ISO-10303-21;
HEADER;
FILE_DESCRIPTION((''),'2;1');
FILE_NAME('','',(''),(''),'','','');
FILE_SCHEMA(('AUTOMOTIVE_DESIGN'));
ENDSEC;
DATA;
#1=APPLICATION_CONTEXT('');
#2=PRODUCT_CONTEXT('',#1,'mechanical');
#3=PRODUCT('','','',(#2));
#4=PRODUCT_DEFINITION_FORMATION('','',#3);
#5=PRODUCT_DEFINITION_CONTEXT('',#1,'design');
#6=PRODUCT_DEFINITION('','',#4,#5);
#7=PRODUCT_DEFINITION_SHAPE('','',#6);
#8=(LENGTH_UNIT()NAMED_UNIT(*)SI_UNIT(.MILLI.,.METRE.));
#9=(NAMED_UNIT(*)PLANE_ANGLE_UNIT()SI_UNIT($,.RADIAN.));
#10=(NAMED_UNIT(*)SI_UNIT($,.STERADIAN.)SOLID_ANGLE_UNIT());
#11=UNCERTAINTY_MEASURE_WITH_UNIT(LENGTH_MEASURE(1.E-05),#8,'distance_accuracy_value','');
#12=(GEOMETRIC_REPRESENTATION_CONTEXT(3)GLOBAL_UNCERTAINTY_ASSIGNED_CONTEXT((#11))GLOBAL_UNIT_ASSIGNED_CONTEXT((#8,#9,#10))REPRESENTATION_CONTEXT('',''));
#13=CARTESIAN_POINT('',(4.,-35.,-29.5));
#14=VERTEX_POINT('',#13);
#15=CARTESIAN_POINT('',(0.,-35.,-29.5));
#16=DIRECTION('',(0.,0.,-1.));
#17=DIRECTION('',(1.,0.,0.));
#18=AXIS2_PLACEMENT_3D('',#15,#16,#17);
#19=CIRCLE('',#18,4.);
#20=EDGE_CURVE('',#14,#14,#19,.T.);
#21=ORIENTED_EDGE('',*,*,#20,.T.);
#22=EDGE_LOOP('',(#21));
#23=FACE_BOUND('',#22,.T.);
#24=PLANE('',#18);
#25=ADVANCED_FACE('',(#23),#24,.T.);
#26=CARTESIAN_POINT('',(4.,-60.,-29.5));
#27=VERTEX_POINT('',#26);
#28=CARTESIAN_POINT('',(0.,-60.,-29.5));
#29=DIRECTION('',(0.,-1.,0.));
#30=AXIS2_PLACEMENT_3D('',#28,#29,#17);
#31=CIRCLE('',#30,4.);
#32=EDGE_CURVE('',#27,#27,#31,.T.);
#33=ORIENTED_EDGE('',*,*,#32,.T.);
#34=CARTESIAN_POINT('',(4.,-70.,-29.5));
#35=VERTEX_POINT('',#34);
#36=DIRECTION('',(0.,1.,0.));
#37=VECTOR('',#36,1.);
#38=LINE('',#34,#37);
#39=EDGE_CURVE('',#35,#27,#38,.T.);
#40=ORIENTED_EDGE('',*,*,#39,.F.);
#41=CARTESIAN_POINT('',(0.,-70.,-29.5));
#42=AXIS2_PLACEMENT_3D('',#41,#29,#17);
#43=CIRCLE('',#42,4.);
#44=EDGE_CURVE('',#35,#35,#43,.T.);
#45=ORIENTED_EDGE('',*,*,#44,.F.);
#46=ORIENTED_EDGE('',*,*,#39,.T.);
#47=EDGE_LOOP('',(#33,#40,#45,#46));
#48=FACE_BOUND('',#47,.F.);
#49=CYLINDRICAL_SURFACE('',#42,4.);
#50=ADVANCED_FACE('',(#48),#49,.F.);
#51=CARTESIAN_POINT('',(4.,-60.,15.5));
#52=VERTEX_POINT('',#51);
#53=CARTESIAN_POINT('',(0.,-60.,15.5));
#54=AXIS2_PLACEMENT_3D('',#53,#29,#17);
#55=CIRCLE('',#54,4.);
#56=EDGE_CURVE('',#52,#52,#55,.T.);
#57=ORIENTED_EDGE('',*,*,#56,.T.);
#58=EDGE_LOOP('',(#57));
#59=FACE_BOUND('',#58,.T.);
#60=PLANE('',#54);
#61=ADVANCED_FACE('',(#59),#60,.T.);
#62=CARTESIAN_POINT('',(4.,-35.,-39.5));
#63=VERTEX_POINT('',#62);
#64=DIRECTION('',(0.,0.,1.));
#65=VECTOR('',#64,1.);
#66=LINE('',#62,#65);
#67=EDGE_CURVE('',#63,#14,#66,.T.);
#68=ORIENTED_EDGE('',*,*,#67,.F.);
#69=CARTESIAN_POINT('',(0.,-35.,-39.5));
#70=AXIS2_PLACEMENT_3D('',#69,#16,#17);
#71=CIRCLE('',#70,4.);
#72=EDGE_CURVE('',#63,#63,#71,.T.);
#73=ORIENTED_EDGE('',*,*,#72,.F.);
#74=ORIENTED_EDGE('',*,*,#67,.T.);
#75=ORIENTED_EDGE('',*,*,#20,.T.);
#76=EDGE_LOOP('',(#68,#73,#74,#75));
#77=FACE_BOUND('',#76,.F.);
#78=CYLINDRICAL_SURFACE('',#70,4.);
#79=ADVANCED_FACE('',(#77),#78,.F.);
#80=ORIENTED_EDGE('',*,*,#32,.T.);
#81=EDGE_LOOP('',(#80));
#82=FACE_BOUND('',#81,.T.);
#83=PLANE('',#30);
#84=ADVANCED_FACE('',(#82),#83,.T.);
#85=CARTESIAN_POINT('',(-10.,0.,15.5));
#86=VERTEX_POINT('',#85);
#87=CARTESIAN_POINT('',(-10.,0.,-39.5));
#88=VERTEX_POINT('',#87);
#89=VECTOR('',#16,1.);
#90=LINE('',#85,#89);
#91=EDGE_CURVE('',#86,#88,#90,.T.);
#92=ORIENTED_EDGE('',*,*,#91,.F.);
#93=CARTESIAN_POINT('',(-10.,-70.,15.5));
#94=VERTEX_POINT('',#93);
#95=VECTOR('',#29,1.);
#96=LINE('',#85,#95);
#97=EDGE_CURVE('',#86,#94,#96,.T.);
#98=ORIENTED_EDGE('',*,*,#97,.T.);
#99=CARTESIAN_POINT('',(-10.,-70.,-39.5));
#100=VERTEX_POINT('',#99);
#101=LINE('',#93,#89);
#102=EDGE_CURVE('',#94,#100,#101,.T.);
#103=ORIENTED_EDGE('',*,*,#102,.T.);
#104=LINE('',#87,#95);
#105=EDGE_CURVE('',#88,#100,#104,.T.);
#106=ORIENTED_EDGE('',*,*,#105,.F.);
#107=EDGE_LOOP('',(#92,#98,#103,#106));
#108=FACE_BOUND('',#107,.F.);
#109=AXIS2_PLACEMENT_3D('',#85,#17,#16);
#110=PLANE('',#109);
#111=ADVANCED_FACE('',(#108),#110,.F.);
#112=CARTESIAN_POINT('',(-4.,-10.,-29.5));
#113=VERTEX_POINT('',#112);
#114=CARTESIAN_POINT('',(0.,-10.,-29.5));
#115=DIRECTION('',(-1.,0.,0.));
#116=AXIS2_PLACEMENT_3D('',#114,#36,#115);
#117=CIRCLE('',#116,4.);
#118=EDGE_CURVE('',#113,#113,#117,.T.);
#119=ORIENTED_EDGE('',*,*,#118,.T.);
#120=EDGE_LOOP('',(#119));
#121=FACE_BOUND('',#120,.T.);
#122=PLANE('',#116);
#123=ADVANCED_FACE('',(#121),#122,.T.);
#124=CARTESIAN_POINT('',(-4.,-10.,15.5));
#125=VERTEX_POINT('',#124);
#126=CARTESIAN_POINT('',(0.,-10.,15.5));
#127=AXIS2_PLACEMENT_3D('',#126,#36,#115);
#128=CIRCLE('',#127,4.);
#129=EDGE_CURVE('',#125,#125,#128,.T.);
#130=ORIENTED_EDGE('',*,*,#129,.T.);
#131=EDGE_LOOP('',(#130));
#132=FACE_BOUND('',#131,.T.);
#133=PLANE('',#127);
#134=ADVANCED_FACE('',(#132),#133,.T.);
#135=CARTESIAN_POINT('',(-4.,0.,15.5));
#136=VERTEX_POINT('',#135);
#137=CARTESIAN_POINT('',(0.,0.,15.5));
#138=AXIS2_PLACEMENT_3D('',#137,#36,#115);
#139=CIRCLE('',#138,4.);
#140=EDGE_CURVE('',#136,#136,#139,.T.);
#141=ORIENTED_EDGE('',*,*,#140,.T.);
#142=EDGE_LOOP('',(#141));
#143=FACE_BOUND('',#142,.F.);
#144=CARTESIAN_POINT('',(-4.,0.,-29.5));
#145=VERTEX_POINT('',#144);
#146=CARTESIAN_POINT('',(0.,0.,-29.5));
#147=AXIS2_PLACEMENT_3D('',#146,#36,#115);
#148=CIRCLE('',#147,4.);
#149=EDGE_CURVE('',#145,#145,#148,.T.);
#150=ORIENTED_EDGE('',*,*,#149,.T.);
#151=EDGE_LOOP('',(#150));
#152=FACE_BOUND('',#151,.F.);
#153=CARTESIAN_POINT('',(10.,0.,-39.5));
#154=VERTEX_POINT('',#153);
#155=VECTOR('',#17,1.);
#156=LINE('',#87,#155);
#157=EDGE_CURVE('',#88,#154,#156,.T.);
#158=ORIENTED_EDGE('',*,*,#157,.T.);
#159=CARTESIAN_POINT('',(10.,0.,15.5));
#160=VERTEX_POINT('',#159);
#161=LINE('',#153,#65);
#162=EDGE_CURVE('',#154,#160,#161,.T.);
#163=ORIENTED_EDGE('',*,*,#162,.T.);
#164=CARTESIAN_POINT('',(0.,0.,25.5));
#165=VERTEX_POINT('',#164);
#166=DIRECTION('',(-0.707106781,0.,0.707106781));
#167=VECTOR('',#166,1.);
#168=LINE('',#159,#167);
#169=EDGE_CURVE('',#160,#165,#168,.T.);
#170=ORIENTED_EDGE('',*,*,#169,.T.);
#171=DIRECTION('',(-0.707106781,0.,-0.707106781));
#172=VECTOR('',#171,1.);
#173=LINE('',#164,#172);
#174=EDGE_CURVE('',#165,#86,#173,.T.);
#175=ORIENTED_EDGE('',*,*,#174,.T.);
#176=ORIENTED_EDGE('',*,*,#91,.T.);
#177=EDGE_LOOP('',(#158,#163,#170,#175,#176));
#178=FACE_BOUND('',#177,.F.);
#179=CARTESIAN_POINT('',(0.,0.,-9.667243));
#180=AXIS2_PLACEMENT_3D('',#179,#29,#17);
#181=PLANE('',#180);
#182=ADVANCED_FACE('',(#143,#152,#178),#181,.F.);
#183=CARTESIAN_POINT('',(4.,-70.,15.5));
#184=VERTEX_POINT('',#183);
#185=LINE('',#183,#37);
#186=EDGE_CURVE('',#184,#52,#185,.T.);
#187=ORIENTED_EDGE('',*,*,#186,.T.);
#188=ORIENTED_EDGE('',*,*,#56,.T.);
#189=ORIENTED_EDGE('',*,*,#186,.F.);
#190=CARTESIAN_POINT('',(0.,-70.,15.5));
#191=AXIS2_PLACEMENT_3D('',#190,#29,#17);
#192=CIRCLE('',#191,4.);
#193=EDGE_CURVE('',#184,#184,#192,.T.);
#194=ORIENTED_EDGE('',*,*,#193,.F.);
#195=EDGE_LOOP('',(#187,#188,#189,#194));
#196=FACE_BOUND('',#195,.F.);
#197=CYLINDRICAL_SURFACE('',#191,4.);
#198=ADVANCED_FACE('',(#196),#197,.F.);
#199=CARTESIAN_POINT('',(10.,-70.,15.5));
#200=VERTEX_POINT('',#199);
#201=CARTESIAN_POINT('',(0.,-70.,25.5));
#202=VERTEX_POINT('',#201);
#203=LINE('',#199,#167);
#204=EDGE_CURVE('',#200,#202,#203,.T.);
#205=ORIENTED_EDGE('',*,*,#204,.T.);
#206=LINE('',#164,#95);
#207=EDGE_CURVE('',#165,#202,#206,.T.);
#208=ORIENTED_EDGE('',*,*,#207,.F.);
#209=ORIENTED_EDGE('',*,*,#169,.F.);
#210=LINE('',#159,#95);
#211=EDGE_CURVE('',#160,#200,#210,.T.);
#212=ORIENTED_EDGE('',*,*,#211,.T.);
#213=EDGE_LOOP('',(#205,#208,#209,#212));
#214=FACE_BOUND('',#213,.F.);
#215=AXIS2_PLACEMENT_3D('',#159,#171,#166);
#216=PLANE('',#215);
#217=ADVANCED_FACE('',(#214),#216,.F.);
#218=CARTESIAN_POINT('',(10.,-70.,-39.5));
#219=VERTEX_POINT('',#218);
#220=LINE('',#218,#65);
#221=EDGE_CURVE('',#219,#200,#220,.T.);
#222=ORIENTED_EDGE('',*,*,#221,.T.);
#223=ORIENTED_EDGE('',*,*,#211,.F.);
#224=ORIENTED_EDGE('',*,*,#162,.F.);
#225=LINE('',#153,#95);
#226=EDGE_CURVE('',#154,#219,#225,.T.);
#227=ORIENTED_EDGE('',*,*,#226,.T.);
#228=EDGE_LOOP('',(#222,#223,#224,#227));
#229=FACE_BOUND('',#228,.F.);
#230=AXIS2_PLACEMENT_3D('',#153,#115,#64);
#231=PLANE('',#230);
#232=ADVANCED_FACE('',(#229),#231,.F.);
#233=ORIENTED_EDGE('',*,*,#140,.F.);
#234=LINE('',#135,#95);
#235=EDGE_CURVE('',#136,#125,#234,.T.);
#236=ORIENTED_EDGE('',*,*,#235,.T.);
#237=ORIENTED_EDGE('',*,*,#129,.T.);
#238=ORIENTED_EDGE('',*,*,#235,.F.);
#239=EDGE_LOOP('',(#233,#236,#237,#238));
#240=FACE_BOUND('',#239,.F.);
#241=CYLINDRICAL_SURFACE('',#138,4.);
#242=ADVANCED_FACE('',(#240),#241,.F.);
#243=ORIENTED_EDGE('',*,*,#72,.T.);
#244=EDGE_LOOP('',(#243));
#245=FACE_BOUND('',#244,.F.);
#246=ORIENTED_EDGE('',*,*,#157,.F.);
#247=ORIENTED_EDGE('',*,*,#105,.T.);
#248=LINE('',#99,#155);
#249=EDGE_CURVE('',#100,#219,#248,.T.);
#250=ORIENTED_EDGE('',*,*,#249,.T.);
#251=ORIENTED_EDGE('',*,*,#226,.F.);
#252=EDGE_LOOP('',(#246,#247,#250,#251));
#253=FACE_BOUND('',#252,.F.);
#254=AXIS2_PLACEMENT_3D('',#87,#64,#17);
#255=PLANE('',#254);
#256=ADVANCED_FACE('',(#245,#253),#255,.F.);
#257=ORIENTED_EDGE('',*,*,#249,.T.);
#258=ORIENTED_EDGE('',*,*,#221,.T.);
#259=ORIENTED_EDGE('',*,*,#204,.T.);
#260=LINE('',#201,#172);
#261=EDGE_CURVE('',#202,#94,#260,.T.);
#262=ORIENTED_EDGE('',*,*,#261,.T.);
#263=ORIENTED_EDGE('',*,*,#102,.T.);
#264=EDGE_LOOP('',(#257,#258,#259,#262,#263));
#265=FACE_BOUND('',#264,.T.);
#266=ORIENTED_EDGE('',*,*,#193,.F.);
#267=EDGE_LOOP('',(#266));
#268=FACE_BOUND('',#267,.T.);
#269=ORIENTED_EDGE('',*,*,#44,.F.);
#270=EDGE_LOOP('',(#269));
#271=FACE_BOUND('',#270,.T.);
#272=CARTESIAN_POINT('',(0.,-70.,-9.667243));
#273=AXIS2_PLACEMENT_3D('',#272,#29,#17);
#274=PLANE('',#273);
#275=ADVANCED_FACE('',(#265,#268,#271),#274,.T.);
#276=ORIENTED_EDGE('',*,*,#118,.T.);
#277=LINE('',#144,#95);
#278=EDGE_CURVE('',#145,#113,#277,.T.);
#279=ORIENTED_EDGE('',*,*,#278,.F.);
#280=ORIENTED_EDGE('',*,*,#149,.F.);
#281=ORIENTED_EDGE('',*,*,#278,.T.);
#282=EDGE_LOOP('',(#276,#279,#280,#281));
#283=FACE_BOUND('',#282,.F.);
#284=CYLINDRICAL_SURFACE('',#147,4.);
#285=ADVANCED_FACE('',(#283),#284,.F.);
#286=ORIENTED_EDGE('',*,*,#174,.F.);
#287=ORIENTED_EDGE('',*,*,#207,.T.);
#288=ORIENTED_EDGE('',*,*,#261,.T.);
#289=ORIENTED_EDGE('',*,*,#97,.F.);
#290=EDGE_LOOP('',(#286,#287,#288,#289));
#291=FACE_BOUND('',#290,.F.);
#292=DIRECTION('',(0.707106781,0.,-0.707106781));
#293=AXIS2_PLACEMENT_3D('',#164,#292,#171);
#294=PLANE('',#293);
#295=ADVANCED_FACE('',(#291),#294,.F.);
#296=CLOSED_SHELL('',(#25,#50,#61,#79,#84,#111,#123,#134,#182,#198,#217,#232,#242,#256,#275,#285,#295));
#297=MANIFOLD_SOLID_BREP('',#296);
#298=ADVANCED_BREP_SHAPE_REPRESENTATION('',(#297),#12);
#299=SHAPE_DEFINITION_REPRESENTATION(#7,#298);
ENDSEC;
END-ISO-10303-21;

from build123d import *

# Parameters (mm, degrees)
F1_DEPTH  = 70
F2_R      = 4
F3_DEPTH  = 10
F4_R      = 4
F5_DEPTH  = 10
F6_R      = 4
F7_DEPTH  = 10
F8_R      = 4
F9_DEPTH  = 10
F10_R     = 4
F11_DEPTH = 10


with BuildPart() as f1:
    # F0 (on Front) → F1 (new body)
    with BuildSketch(Plane.XZ):
        Polygon((0, 25.5), (-10, 15.5), (-10, -39.5), (10, -39.5), (10, 15.5), align=None)
    extrude(amount=F1_DEPTH)

    # F2 (on face) → F3 (cut)
    with BuildSketch(Plane.XZ.offset(70)):
        with Locations((0, -29.5)):
            Circle(F2_R)
    extrude(amount=-F3_DEPTH, mode=Mode.SUBTRACT)

    # F4 (on face) → F5 (cut)
    with BuildSketch(Plane.XZ.offset(70)):
        with Locations((0, 15.5)):
            Circle(F4_R)
    extrude(amount=-F5_DEPTH, mode=Mode.SUBTRACT)

    # F6 (on face) → F7 (cut)
    with BuildSketch(Plane(origin=(0, 0, 0), x_dir=(-1, 0, 0), z_dir=(0, 1, 0))):
        with Locations((0, -29.5)):
            Circle(F6_R)
    extrude(amount=-F7_DEPTH, mode=Mode.SUBTRACT)

    # F8 (on face) → F9 (cut)
    with BuildSketch(Plane(origin=(0, 0, 0), x_dir=(-1, 0, 0), z_dir=(0, 1, 0))):
        with Locations((0, 15.5)):
            Circle(F8_R)
    extrude(amount=-F9_DEPTH, mode=Mode.SUBTRACT)

    # F10 (on face) → F11 (cut)
    with BuildSketch(Plane(origin=(0, 0, -39.5), x_dir=(1, 0, 0), z_dir=(0, 0, -1))):
        with Locations((0, 35)):
            Circle(F10_R)
    extrude(amount=-F11_DEPTH, mode=Mode.SUBTRACT)


solid = f1.part
